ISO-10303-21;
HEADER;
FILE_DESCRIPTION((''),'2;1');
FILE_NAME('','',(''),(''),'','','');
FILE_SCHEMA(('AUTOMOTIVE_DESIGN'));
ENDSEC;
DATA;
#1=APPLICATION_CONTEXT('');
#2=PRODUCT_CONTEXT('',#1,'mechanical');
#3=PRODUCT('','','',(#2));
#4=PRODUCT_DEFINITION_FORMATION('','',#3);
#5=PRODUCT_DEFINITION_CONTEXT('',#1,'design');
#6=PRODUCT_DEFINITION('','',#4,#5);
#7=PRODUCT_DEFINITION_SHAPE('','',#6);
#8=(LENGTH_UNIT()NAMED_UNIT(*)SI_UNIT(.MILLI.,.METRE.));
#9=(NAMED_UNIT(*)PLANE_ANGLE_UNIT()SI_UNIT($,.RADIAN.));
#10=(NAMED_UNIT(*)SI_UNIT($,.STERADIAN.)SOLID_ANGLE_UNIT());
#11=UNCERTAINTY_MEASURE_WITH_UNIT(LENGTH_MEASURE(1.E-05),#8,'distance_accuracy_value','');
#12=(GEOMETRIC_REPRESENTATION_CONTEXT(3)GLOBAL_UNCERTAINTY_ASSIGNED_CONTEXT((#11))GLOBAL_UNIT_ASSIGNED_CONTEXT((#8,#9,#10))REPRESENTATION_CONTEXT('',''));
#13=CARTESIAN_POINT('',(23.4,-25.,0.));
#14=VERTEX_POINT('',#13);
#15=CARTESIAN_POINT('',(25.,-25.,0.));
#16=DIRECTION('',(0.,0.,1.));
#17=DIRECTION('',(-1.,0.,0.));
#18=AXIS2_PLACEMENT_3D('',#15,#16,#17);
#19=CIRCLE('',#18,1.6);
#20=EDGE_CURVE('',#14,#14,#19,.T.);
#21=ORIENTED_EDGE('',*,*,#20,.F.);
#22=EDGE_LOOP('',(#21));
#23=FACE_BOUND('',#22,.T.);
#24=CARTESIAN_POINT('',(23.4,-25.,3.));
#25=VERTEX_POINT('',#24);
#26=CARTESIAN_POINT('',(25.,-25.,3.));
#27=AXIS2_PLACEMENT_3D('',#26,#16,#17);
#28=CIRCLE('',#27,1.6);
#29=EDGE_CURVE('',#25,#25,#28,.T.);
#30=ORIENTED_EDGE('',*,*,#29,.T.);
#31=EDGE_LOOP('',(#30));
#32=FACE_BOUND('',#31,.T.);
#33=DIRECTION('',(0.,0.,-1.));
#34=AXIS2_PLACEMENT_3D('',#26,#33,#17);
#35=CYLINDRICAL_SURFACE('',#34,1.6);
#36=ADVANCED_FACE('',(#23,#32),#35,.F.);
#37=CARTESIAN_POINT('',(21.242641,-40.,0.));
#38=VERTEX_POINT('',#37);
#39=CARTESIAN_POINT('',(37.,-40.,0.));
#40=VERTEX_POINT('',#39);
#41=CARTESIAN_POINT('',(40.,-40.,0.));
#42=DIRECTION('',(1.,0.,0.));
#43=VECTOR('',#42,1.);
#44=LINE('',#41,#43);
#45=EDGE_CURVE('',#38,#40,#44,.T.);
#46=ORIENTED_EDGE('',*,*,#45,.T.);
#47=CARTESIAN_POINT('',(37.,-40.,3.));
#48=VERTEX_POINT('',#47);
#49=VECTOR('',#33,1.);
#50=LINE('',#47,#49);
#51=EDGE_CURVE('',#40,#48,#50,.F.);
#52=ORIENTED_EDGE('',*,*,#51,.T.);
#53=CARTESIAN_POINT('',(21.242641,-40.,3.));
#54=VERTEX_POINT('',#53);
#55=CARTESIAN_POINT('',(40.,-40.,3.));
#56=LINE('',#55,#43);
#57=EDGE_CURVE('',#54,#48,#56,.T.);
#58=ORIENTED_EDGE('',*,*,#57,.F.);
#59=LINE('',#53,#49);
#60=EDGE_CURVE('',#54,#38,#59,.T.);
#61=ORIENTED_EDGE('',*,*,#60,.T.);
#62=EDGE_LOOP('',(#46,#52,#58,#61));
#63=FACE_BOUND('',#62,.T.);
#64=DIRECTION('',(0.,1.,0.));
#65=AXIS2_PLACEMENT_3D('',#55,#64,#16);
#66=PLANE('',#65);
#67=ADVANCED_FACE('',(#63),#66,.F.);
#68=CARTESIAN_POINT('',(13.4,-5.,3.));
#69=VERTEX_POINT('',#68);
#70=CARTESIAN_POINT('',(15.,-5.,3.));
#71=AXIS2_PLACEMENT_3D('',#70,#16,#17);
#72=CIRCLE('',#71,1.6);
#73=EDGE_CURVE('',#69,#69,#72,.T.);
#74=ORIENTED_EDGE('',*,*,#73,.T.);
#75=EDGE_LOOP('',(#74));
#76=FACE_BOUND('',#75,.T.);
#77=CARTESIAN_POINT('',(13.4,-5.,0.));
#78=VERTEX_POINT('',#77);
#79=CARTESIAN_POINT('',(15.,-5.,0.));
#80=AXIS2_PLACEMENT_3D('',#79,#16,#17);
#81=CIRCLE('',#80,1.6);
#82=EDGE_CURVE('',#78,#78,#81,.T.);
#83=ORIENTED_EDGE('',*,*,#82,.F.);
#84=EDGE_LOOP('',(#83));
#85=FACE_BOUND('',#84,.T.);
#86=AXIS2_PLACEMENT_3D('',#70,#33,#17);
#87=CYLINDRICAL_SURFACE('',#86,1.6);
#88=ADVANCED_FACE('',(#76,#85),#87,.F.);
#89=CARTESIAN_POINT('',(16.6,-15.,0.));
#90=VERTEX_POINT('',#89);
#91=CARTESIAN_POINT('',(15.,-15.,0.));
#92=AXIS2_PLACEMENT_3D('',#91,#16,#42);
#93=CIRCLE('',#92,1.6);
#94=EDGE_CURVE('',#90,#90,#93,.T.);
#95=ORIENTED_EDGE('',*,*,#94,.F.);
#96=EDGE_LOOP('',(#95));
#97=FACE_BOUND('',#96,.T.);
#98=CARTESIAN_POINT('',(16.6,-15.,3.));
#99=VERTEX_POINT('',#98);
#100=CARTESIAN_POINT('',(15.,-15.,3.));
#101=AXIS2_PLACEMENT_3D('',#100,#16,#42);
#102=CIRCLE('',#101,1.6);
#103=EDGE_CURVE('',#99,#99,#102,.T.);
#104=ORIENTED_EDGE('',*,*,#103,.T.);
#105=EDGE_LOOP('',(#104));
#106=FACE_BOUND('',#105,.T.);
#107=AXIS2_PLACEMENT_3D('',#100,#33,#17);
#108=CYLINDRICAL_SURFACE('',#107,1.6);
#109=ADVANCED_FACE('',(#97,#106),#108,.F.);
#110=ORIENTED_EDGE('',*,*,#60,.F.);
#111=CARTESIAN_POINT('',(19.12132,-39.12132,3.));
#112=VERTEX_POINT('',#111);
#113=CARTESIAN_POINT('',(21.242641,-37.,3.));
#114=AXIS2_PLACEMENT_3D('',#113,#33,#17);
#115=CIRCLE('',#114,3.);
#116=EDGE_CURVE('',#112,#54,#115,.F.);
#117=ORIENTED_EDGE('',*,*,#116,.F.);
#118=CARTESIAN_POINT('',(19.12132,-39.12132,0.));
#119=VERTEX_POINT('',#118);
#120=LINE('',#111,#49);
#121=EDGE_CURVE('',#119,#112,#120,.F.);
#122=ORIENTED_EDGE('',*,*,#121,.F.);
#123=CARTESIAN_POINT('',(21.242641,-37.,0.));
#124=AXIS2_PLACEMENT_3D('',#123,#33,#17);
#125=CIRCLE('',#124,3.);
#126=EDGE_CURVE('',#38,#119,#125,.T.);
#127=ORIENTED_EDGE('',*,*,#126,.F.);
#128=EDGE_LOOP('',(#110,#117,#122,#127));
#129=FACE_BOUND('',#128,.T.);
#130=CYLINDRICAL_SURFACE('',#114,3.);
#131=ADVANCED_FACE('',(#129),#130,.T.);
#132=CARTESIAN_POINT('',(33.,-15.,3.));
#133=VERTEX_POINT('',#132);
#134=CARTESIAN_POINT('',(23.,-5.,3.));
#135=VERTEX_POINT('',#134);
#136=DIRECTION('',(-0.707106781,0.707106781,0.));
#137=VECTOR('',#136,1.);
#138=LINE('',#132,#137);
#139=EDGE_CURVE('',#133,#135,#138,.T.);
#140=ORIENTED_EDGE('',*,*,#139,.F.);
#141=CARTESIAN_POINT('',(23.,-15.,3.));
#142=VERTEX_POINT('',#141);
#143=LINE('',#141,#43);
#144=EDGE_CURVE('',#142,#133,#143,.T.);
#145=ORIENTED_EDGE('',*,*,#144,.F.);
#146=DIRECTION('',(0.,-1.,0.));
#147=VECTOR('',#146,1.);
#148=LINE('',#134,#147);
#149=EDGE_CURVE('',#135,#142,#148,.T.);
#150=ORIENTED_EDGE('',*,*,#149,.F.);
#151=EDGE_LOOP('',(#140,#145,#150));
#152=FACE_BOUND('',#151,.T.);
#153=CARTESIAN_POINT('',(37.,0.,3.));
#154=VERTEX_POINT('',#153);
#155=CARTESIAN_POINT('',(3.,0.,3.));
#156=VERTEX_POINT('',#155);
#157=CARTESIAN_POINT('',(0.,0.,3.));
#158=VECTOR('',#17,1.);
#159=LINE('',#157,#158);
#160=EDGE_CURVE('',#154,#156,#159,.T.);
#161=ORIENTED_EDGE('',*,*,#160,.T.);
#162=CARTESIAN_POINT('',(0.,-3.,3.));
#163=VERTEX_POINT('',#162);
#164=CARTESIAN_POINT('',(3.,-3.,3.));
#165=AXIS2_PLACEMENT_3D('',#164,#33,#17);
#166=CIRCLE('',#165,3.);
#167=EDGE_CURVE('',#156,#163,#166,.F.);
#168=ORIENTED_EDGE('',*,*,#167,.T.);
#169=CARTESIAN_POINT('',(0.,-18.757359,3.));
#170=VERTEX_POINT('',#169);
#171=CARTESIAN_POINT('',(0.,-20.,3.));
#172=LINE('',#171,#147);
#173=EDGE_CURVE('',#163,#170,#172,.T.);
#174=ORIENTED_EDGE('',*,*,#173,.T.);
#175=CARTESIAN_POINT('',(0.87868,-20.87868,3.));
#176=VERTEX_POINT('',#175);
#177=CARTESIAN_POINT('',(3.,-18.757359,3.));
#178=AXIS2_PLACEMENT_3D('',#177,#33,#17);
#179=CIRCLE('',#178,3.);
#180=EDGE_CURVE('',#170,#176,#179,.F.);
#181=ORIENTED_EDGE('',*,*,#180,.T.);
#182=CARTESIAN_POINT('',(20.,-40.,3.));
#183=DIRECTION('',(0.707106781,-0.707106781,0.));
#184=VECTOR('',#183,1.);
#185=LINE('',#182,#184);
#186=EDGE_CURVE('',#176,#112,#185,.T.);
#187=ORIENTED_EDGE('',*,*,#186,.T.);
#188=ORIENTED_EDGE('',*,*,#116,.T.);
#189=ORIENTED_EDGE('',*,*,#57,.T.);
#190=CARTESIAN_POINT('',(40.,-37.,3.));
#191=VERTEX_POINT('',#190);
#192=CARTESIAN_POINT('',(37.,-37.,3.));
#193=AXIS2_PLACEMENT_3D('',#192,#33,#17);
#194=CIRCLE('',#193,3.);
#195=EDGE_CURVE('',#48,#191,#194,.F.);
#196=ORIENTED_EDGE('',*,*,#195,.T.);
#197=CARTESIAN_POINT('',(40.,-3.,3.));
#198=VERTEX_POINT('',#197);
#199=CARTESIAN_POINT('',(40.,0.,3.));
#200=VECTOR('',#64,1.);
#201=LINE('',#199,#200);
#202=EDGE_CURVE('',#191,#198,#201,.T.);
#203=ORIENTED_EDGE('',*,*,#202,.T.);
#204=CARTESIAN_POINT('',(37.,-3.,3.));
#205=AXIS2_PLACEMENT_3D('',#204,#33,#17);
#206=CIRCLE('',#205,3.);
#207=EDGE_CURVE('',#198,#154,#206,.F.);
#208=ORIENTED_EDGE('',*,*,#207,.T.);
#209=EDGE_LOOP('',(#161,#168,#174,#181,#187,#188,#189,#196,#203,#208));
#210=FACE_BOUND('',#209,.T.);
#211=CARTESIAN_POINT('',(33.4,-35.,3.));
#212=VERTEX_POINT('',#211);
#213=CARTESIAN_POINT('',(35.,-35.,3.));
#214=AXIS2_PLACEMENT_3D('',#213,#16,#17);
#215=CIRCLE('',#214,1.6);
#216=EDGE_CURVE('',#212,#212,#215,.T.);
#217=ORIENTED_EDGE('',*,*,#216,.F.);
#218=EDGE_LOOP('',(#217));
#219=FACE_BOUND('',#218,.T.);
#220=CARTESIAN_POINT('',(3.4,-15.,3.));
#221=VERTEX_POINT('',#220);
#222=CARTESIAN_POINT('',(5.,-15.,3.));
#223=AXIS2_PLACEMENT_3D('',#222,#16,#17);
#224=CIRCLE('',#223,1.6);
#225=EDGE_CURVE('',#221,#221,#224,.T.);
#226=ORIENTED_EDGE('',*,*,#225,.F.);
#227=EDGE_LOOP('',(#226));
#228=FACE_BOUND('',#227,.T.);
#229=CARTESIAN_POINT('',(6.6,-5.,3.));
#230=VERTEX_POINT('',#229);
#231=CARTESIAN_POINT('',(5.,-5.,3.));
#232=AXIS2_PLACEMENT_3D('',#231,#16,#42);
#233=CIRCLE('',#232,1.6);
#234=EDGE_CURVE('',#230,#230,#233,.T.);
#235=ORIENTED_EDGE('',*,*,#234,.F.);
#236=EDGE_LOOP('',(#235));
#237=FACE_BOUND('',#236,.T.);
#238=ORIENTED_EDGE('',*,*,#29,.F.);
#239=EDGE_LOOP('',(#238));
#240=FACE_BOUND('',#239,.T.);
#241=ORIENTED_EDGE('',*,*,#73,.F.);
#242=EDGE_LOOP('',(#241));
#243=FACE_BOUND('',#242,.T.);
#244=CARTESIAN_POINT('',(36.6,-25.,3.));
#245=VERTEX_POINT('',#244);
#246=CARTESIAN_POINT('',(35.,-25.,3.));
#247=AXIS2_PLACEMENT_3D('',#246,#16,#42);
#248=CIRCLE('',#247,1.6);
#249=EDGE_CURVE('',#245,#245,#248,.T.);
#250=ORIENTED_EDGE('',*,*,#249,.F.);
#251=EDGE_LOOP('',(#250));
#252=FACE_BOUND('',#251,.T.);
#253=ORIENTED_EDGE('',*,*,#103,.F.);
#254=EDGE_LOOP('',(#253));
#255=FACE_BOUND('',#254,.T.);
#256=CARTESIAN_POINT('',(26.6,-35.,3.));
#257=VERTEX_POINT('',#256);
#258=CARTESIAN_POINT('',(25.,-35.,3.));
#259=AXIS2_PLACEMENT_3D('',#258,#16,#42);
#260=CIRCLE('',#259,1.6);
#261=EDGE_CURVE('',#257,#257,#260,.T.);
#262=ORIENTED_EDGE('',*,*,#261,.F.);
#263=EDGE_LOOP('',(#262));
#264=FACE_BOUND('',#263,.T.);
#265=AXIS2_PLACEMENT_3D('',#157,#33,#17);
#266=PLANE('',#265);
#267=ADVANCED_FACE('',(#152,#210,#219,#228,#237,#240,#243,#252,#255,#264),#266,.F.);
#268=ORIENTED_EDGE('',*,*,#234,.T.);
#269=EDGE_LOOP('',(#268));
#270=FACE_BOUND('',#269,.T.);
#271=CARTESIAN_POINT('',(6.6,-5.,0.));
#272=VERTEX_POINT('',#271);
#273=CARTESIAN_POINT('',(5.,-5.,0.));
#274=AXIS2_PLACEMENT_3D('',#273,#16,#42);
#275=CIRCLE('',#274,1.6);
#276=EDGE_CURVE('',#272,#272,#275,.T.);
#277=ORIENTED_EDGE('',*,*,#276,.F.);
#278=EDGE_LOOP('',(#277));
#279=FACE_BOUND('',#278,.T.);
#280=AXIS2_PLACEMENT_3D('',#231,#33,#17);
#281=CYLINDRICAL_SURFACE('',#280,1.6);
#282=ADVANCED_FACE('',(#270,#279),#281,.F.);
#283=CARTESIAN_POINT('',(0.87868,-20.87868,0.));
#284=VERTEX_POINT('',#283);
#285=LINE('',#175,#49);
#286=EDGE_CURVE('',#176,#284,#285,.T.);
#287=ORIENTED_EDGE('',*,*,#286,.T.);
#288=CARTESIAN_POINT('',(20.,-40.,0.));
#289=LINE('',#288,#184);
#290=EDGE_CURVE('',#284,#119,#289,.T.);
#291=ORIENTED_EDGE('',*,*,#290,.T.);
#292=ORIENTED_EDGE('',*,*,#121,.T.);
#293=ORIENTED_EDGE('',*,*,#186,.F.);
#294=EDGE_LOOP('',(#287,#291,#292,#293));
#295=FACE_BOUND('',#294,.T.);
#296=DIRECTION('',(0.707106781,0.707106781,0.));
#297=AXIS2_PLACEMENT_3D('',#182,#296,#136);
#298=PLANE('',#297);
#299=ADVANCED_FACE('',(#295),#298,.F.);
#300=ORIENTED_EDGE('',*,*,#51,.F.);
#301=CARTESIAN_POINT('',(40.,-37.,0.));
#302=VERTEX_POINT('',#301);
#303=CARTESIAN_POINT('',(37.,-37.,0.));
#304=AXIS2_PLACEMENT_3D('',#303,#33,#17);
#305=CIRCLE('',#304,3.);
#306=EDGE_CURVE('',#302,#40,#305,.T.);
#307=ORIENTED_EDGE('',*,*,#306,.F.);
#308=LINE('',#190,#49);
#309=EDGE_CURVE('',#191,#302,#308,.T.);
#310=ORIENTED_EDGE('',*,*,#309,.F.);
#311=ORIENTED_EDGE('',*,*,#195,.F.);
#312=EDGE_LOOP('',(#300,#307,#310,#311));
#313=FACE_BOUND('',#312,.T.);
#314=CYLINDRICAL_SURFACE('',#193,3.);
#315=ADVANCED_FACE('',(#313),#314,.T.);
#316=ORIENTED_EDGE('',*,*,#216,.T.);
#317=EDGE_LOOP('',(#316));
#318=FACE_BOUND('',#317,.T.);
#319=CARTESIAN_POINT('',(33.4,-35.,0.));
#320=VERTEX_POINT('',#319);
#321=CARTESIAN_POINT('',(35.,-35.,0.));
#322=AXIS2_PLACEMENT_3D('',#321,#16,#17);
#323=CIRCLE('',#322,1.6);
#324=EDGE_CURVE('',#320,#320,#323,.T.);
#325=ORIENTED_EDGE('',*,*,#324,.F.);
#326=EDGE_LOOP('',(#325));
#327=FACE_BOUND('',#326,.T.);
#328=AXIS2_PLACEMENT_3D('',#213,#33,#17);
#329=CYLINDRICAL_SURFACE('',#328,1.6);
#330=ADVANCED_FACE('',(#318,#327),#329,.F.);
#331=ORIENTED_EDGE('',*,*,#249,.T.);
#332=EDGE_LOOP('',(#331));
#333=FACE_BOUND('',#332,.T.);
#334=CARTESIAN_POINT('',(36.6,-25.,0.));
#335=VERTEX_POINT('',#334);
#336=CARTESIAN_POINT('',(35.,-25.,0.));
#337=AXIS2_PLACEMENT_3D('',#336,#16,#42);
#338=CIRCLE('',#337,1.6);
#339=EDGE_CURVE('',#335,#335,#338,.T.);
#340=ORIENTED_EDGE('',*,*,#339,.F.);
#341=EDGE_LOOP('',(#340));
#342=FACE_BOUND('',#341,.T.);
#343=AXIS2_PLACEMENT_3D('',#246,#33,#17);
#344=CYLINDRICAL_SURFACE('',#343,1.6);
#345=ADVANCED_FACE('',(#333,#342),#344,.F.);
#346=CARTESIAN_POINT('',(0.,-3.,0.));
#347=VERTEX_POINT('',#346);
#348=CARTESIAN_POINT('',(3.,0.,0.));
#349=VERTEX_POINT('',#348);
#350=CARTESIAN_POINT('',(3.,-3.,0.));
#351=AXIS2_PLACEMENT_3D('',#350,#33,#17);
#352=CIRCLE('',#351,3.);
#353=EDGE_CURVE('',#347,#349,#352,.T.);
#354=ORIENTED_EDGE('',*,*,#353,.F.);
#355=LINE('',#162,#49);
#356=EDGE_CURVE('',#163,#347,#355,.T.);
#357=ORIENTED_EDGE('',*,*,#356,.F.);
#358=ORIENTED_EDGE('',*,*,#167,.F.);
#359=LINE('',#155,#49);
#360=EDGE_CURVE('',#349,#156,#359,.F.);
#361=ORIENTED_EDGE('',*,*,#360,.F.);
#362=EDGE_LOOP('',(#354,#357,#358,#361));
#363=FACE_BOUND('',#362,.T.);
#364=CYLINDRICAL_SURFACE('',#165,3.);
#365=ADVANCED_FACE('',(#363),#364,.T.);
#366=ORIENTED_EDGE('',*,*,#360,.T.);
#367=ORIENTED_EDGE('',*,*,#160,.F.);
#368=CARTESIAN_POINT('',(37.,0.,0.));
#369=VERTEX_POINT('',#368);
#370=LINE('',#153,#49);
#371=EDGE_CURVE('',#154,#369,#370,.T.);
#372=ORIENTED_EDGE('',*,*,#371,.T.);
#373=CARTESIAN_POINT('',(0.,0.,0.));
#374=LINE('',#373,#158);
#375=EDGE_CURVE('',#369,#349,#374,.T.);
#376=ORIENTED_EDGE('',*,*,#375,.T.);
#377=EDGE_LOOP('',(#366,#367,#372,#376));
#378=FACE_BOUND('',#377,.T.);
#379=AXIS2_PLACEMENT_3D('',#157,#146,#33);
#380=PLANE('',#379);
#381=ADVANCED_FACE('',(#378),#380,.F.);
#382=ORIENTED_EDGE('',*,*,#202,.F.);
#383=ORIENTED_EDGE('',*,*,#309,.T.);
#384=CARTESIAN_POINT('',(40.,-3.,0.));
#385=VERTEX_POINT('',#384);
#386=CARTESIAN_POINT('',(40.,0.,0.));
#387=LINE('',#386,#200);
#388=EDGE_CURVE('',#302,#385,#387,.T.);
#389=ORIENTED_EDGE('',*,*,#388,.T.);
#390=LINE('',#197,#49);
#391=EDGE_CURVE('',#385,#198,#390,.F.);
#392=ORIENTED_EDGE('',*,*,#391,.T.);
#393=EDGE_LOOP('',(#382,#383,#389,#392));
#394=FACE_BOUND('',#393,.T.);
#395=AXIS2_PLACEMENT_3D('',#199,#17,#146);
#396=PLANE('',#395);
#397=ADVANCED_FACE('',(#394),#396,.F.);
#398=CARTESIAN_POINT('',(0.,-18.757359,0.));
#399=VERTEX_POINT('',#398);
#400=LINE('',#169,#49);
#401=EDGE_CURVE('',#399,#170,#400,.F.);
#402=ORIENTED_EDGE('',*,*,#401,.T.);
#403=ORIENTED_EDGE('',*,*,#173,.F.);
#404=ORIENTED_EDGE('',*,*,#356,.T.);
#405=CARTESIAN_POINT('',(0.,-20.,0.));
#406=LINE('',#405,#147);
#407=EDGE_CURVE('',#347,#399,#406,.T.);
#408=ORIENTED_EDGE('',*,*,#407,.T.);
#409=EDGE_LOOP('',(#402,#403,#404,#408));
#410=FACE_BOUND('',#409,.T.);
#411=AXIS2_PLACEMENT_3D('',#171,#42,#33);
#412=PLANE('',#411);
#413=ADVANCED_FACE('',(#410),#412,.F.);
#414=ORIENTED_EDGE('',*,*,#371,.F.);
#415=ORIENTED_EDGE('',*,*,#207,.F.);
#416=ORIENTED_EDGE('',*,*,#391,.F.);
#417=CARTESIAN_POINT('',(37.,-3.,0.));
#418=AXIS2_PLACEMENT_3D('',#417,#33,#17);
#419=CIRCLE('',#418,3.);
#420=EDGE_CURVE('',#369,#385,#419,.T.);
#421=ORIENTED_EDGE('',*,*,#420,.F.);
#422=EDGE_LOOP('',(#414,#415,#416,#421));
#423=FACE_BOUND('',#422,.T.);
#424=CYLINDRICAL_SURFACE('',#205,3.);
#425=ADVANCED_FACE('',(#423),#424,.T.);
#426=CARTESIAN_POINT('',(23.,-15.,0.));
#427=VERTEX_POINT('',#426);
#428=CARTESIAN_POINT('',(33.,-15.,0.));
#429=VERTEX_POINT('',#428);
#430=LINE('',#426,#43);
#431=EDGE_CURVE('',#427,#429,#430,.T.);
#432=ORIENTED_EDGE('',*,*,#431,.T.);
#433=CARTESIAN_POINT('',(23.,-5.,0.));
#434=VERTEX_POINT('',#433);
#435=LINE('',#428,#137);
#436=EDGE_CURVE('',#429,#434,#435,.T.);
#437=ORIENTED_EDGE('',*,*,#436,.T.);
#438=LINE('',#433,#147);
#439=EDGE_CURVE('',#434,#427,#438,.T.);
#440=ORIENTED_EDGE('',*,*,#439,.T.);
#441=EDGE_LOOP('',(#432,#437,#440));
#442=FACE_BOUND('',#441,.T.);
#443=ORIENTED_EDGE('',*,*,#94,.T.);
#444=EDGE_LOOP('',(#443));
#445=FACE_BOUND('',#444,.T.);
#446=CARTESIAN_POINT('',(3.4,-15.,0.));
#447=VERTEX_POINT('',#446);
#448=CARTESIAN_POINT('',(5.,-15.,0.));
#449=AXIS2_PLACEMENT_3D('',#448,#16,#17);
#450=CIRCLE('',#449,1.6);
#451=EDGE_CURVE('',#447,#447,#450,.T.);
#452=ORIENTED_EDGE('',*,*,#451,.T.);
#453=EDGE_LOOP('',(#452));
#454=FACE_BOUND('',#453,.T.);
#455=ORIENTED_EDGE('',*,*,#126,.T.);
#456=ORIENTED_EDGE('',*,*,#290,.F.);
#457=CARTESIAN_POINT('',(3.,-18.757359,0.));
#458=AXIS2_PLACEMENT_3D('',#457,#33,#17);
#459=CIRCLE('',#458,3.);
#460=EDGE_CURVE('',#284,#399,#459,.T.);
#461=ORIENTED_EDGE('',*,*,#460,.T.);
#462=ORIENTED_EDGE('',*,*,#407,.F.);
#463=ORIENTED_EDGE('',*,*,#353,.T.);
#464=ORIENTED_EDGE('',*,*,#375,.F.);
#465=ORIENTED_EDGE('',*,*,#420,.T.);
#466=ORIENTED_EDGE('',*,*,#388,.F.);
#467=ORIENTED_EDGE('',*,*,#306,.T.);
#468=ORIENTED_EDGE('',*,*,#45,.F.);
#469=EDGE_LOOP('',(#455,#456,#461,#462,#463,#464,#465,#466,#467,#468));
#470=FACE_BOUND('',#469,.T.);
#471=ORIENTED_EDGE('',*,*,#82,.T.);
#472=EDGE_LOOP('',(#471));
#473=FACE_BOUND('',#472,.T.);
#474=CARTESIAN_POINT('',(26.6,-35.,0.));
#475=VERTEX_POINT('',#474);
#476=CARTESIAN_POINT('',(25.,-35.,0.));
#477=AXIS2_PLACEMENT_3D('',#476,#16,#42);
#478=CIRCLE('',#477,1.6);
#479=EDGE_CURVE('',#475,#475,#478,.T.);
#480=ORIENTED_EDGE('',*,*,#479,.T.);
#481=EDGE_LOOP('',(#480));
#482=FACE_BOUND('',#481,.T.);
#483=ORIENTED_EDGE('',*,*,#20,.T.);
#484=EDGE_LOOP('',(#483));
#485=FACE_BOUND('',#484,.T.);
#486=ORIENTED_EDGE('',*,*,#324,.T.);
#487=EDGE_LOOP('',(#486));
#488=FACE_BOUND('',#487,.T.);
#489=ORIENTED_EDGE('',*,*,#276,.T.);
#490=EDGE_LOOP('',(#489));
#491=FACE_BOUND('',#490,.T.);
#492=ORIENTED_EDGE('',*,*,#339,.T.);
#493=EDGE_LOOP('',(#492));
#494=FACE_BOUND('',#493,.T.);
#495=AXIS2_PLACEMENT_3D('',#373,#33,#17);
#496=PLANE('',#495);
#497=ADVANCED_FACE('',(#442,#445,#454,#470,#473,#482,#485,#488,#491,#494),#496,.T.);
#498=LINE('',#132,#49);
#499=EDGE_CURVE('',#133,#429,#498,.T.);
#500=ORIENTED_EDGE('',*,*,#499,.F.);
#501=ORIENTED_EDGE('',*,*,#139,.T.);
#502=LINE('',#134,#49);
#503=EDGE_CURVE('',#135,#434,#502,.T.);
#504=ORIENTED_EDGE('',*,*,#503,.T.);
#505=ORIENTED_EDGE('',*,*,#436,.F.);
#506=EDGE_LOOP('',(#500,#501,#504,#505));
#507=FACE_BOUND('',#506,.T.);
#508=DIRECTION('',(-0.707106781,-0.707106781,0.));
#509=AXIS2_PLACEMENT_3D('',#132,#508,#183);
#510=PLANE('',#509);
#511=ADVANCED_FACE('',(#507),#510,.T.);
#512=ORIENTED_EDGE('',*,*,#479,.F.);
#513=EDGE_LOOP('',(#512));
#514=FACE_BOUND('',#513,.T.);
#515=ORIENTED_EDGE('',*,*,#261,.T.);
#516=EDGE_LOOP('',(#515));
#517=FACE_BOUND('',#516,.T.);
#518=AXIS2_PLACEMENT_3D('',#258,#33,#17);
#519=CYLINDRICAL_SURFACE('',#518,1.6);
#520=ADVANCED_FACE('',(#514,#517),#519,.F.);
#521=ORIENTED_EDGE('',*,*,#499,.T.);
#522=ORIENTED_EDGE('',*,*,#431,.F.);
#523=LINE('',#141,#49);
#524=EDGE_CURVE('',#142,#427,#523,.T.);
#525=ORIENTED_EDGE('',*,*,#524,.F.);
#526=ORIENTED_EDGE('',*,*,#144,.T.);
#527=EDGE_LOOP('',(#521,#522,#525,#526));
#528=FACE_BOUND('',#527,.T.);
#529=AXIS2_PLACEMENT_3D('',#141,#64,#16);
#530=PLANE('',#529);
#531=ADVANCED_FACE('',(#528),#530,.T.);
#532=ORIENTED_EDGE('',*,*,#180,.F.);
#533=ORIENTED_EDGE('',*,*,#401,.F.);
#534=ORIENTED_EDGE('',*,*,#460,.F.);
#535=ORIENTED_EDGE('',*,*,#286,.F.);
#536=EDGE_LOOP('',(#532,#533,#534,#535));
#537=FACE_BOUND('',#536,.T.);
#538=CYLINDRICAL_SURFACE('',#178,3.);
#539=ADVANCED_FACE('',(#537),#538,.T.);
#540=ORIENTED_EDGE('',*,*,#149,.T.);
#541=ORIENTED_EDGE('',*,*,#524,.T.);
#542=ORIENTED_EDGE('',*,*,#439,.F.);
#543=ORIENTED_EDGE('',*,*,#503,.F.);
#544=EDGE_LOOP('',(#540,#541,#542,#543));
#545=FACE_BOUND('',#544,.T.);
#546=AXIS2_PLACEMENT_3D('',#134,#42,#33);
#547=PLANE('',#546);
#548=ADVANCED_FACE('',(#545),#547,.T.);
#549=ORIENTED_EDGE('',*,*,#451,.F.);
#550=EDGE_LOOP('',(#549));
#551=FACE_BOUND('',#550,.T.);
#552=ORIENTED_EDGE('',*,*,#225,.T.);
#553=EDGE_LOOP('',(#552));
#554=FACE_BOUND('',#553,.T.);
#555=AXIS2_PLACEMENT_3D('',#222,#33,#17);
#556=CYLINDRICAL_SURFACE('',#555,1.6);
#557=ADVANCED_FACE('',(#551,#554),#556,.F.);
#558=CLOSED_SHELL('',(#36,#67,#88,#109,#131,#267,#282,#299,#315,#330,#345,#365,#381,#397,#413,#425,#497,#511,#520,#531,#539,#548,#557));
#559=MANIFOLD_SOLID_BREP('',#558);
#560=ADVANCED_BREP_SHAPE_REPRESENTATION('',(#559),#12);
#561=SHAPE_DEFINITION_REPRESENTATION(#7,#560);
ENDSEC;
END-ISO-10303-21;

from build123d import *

# Parameters (mm, degrees)
SKETCH_1_R      = 1.6
EXTRUDE_1_DEPTH = 3
FILLET_1_R      = 3


with BuildPart() as part:
    # 草图1 → 凸台-拉伸1 (new body)
    with BuildSketch(Plane.XY):
        Polygon((0, 0), (40, 0), (40, -40), (20, -40), (0, -20), align=None)
        with Locations((5, -5)):
            Circle(SKETCH_1_R, mode=Mode.SUBTRACT)
        with Locations(Location((15, -5, 0), (0, 0, 180))):
            Circle(SKETCH_1_R, mode=Mode.SUBTRACT)
        with Locations((15, -15)):
            Circle(SKETCH_1_R, mode=Mode.SUBTRACT)
        with Locations(Location((5, -15, 0), (0, 0, 180))):
            Circle(SKETCH_1_R, mode=Mode.SUBTRACT)
        with Locations((25, -35)):
            Circle(SKETCH_1_R, mode=Mode.SUBTRACT)
        with Locations(Location((35, -35, 0), (0, 0, 180))):
            Circle(SKETCH_1_R, mode=Mode.SUBTRACT)
        with Locations((35, -25)):
            Circle(SKETCH_1_R, mode=Mode.SUBTRACT)
        with Locations(Location((25, -25, 0), (0, 0, 180))):
            Circle(SKETCH_1_R, mode=Mode.SUBTRACT)
        Polygon((23, -5), (23, -15), (33, -15), align=None, mode=Mode.SUBTRACT)
    extrude(amount=EXTRUDE_1_DEPTH)

    # 圆角1
    fillet_1_edges = [part.edges().sort_by_distance(p)[0] for p in [
        (0, 0, 1.5),
        (40, 0, 1.5),
        (40, -40, 1.5),
        (20, -40, 1.5),
        (0, -20, 1.5),
    ]]
    fillet(fillet_1_edges, radius=FILLET_1_R)


solid = part.part
